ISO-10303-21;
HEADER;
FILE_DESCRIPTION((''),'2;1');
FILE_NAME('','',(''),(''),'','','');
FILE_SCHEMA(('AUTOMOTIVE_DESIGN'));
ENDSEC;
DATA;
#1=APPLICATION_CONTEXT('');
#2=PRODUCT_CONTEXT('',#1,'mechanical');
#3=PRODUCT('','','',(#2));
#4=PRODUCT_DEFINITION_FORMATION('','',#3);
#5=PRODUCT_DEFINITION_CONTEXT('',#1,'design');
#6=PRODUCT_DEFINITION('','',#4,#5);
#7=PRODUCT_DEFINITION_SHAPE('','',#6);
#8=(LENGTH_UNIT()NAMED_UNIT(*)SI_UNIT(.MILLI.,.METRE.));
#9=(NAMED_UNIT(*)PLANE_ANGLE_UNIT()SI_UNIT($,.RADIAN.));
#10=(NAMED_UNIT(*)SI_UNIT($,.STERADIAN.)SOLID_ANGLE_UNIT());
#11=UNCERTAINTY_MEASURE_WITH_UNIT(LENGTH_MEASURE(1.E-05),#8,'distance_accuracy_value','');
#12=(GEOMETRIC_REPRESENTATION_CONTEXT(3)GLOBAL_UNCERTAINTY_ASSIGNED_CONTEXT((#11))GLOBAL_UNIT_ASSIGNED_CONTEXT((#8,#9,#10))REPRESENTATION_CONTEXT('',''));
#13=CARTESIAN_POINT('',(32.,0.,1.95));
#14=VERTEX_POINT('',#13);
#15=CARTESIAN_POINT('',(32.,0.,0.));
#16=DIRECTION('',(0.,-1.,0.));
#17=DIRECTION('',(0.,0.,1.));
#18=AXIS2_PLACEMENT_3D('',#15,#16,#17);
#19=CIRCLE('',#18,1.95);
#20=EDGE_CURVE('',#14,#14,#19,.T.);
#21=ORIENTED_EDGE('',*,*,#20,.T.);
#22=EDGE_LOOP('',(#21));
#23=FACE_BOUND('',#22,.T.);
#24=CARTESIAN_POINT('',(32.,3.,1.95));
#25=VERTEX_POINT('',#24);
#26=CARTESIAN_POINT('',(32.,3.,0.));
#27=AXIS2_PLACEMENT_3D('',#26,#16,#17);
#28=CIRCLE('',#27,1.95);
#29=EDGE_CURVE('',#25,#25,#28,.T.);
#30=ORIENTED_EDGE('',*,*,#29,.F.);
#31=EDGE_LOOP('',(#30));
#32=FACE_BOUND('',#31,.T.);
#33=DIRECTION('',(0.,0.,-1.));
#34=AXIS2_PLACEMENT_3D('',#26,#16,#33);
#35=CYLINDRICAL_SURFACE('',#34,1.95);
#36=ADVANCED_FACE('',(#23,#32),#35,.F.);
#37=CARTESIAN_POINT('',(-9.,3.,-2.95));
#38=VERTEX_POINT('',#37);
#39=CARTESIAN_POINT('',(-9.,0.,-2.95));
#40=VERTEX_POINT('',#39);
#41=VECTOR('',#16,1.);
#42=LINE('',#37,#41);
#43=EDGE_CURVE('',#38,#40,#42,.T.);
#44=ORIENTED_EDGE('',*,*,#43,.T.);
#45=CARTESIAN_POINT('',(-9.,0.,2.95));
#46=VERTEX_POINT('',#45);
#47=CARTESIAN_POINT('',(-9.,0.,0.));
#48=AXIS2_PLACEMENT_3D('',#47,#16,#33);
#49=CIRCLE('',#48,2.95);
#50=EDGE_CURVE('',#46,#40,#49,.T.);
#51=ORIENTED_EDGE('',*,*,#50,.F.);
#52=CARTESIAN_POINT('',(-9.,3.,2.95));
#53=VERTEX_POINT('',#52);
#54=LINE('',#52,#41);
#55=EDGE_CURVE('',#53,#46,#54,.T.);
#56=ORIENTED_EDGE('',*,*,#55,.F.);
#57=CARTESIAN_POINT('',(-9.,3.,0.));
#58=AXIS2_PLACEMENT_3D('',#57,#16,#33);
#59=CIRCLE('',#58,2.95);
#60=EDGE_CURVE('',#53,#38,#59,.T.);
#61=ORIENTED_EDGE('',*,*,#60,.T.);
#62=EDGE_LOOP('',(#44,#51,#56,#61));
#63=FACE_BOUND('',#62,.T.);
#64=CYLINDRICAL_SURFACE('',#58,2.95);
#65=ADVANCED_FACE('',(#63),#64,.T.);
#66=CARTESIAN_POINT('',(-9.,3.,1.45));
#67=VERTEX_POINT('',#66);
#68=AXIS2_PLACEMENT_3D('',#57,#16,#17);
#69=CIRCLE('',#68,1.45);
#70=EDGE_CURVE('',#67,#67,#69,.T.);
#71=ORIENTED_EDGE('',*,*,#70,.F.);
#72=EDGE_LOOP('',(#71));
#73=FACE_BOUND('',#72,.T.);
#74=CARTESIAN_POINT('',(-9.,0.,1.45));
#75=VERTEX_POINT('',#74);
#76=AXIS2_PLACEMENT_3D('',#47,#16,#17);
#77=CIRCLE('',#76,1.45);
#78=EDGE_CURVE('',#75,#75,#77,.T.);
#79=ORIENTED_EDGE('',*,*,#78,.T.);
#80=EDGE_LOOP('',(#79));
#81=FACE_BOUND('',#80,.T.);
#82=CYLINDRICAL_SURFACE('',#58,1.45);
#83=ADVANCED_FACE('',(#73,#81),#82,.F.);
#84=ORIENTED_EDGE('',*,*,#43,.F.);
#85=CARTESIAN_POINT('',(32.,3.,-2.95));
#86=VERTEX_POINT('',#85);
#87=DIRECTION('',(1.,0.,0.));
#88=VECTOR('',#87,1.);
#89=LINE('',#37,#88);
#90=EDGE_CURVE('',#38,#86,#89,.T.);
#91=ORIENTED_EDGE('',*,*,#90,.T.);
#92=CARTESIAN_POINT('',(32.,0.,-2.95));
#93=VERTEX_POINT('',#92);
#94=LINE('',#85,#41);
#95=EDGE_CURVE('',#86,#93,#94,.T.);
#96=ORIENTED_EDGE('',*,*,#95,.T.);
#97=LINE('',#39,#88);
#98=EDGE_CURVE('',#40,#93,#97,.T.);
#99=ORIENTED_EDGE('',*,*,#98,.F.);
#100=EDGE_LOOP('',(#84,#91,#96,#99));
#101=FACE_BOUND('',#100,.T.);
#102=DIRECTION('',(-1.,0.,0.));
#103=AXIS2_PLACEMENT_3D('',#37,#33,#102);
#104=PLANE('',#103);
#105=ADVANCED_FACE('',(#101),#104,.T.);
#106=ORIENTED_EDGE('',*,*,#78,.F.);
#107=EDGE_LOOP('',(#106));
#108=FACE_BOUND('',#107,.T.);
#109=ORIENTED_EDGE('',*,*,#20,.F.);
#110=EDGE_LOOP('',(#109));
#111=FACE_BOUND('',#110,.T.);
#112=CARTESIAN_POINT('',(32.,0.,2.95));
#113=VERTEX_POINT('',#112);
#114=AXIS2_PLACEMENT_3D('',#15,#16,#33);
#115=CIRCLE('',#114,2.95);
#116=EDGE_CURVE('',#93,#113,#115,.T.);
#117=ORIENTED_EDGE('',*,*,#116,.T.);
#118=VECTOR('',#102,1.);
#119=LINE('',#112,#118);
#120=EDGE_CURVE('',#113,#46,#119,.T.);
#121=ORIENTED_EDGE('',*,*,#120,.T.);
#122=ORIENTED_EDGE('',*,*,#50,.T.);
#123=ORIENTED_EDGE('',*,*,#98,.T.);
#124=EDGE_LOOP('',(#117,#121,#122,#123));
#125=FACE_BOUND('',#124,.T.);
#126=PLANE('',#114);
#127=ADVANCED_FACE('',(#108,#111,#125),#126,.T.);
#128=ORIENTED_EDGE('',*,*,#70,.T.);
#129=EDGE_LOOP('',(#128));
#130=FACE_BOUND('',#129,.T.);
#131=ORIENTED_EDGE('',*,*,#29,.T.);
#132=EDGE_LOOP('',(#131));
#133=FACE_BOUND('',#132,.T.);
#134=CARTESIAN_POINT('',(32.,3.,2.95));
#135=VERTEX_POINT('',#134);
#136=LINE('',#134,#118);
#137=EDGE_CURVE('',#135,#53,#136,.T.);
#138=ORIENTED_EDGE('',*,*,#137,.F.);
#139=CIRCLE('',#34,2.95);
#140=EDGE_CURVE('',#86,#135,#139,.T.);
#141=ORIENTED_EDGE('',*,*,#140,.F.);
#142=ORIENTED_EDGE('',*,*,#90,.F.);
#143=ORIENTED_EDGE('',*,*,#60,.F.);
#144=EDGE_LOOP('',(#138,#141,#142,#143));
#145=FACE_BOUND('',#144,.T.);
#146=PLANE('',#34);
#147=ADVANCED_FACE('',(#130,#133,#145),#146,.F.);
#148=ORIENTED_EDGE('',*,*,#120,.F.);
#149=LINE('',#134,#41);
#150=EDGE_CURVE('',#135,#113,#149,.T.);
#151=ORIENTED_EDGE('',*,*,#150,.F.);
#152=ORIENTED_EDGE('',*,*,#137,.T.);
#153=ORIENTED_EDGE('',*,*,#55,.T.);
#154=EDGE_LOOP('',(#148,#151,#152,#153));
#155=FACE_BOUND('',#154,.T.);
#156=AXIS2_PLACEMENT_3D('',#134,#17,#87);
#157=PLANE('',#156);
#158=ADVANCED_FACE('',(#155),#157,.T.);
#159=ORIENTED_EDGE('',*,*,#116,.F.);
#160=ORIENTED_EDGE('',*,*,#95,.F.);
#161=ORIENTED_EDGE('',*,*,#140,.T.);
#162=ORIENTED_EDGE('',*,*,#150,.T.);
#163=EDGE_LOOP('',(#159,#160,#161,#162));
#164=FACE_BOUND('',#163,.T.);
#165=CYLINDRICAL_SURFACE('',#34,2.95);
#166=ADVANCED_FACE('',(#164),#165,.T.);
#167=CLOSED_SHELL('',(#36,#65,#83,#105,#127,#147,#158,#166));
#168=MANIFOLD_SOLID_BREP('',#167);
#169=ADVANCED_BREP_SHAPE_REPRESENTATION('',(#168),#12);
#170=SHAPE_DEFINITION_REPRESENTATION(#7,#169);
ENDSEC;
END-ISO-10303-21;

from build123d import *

# Parameters (mm, degrees)
SKETCH1_R           = 1.95
SKETCH1_R_2         = 1.45
BOSS_EXTRUDE1_DEPTH = 3


with BuildPart() as part:
    # Sketch1 → Boss-Extrude1 (new body)
    with BuildSketch(Plane.XZ):
        with BuildLine():
            Line((32, 2.95), (-9, 2.95))
            ThreePointArc((-9, 2.95), (-11.95, 0), (-9, -2.95))
            Line((-9, -2.95), (32, -2.95))
            ThreePointArc((32, -2.95), (34.95, 0), (32, 2.95))
        make_face()
        with Locations((32, 0)):
            Circle(SKETCH1_R, mode=Mode.SUBTRACT)
        with Locations((-9, 0)):
            Circle(SKETCH1_R_2, mode=Mode.SUBTRACT)
    extrude(amount=-BOSS_EXTRUDE1_DEPTH)


solid = part.part
